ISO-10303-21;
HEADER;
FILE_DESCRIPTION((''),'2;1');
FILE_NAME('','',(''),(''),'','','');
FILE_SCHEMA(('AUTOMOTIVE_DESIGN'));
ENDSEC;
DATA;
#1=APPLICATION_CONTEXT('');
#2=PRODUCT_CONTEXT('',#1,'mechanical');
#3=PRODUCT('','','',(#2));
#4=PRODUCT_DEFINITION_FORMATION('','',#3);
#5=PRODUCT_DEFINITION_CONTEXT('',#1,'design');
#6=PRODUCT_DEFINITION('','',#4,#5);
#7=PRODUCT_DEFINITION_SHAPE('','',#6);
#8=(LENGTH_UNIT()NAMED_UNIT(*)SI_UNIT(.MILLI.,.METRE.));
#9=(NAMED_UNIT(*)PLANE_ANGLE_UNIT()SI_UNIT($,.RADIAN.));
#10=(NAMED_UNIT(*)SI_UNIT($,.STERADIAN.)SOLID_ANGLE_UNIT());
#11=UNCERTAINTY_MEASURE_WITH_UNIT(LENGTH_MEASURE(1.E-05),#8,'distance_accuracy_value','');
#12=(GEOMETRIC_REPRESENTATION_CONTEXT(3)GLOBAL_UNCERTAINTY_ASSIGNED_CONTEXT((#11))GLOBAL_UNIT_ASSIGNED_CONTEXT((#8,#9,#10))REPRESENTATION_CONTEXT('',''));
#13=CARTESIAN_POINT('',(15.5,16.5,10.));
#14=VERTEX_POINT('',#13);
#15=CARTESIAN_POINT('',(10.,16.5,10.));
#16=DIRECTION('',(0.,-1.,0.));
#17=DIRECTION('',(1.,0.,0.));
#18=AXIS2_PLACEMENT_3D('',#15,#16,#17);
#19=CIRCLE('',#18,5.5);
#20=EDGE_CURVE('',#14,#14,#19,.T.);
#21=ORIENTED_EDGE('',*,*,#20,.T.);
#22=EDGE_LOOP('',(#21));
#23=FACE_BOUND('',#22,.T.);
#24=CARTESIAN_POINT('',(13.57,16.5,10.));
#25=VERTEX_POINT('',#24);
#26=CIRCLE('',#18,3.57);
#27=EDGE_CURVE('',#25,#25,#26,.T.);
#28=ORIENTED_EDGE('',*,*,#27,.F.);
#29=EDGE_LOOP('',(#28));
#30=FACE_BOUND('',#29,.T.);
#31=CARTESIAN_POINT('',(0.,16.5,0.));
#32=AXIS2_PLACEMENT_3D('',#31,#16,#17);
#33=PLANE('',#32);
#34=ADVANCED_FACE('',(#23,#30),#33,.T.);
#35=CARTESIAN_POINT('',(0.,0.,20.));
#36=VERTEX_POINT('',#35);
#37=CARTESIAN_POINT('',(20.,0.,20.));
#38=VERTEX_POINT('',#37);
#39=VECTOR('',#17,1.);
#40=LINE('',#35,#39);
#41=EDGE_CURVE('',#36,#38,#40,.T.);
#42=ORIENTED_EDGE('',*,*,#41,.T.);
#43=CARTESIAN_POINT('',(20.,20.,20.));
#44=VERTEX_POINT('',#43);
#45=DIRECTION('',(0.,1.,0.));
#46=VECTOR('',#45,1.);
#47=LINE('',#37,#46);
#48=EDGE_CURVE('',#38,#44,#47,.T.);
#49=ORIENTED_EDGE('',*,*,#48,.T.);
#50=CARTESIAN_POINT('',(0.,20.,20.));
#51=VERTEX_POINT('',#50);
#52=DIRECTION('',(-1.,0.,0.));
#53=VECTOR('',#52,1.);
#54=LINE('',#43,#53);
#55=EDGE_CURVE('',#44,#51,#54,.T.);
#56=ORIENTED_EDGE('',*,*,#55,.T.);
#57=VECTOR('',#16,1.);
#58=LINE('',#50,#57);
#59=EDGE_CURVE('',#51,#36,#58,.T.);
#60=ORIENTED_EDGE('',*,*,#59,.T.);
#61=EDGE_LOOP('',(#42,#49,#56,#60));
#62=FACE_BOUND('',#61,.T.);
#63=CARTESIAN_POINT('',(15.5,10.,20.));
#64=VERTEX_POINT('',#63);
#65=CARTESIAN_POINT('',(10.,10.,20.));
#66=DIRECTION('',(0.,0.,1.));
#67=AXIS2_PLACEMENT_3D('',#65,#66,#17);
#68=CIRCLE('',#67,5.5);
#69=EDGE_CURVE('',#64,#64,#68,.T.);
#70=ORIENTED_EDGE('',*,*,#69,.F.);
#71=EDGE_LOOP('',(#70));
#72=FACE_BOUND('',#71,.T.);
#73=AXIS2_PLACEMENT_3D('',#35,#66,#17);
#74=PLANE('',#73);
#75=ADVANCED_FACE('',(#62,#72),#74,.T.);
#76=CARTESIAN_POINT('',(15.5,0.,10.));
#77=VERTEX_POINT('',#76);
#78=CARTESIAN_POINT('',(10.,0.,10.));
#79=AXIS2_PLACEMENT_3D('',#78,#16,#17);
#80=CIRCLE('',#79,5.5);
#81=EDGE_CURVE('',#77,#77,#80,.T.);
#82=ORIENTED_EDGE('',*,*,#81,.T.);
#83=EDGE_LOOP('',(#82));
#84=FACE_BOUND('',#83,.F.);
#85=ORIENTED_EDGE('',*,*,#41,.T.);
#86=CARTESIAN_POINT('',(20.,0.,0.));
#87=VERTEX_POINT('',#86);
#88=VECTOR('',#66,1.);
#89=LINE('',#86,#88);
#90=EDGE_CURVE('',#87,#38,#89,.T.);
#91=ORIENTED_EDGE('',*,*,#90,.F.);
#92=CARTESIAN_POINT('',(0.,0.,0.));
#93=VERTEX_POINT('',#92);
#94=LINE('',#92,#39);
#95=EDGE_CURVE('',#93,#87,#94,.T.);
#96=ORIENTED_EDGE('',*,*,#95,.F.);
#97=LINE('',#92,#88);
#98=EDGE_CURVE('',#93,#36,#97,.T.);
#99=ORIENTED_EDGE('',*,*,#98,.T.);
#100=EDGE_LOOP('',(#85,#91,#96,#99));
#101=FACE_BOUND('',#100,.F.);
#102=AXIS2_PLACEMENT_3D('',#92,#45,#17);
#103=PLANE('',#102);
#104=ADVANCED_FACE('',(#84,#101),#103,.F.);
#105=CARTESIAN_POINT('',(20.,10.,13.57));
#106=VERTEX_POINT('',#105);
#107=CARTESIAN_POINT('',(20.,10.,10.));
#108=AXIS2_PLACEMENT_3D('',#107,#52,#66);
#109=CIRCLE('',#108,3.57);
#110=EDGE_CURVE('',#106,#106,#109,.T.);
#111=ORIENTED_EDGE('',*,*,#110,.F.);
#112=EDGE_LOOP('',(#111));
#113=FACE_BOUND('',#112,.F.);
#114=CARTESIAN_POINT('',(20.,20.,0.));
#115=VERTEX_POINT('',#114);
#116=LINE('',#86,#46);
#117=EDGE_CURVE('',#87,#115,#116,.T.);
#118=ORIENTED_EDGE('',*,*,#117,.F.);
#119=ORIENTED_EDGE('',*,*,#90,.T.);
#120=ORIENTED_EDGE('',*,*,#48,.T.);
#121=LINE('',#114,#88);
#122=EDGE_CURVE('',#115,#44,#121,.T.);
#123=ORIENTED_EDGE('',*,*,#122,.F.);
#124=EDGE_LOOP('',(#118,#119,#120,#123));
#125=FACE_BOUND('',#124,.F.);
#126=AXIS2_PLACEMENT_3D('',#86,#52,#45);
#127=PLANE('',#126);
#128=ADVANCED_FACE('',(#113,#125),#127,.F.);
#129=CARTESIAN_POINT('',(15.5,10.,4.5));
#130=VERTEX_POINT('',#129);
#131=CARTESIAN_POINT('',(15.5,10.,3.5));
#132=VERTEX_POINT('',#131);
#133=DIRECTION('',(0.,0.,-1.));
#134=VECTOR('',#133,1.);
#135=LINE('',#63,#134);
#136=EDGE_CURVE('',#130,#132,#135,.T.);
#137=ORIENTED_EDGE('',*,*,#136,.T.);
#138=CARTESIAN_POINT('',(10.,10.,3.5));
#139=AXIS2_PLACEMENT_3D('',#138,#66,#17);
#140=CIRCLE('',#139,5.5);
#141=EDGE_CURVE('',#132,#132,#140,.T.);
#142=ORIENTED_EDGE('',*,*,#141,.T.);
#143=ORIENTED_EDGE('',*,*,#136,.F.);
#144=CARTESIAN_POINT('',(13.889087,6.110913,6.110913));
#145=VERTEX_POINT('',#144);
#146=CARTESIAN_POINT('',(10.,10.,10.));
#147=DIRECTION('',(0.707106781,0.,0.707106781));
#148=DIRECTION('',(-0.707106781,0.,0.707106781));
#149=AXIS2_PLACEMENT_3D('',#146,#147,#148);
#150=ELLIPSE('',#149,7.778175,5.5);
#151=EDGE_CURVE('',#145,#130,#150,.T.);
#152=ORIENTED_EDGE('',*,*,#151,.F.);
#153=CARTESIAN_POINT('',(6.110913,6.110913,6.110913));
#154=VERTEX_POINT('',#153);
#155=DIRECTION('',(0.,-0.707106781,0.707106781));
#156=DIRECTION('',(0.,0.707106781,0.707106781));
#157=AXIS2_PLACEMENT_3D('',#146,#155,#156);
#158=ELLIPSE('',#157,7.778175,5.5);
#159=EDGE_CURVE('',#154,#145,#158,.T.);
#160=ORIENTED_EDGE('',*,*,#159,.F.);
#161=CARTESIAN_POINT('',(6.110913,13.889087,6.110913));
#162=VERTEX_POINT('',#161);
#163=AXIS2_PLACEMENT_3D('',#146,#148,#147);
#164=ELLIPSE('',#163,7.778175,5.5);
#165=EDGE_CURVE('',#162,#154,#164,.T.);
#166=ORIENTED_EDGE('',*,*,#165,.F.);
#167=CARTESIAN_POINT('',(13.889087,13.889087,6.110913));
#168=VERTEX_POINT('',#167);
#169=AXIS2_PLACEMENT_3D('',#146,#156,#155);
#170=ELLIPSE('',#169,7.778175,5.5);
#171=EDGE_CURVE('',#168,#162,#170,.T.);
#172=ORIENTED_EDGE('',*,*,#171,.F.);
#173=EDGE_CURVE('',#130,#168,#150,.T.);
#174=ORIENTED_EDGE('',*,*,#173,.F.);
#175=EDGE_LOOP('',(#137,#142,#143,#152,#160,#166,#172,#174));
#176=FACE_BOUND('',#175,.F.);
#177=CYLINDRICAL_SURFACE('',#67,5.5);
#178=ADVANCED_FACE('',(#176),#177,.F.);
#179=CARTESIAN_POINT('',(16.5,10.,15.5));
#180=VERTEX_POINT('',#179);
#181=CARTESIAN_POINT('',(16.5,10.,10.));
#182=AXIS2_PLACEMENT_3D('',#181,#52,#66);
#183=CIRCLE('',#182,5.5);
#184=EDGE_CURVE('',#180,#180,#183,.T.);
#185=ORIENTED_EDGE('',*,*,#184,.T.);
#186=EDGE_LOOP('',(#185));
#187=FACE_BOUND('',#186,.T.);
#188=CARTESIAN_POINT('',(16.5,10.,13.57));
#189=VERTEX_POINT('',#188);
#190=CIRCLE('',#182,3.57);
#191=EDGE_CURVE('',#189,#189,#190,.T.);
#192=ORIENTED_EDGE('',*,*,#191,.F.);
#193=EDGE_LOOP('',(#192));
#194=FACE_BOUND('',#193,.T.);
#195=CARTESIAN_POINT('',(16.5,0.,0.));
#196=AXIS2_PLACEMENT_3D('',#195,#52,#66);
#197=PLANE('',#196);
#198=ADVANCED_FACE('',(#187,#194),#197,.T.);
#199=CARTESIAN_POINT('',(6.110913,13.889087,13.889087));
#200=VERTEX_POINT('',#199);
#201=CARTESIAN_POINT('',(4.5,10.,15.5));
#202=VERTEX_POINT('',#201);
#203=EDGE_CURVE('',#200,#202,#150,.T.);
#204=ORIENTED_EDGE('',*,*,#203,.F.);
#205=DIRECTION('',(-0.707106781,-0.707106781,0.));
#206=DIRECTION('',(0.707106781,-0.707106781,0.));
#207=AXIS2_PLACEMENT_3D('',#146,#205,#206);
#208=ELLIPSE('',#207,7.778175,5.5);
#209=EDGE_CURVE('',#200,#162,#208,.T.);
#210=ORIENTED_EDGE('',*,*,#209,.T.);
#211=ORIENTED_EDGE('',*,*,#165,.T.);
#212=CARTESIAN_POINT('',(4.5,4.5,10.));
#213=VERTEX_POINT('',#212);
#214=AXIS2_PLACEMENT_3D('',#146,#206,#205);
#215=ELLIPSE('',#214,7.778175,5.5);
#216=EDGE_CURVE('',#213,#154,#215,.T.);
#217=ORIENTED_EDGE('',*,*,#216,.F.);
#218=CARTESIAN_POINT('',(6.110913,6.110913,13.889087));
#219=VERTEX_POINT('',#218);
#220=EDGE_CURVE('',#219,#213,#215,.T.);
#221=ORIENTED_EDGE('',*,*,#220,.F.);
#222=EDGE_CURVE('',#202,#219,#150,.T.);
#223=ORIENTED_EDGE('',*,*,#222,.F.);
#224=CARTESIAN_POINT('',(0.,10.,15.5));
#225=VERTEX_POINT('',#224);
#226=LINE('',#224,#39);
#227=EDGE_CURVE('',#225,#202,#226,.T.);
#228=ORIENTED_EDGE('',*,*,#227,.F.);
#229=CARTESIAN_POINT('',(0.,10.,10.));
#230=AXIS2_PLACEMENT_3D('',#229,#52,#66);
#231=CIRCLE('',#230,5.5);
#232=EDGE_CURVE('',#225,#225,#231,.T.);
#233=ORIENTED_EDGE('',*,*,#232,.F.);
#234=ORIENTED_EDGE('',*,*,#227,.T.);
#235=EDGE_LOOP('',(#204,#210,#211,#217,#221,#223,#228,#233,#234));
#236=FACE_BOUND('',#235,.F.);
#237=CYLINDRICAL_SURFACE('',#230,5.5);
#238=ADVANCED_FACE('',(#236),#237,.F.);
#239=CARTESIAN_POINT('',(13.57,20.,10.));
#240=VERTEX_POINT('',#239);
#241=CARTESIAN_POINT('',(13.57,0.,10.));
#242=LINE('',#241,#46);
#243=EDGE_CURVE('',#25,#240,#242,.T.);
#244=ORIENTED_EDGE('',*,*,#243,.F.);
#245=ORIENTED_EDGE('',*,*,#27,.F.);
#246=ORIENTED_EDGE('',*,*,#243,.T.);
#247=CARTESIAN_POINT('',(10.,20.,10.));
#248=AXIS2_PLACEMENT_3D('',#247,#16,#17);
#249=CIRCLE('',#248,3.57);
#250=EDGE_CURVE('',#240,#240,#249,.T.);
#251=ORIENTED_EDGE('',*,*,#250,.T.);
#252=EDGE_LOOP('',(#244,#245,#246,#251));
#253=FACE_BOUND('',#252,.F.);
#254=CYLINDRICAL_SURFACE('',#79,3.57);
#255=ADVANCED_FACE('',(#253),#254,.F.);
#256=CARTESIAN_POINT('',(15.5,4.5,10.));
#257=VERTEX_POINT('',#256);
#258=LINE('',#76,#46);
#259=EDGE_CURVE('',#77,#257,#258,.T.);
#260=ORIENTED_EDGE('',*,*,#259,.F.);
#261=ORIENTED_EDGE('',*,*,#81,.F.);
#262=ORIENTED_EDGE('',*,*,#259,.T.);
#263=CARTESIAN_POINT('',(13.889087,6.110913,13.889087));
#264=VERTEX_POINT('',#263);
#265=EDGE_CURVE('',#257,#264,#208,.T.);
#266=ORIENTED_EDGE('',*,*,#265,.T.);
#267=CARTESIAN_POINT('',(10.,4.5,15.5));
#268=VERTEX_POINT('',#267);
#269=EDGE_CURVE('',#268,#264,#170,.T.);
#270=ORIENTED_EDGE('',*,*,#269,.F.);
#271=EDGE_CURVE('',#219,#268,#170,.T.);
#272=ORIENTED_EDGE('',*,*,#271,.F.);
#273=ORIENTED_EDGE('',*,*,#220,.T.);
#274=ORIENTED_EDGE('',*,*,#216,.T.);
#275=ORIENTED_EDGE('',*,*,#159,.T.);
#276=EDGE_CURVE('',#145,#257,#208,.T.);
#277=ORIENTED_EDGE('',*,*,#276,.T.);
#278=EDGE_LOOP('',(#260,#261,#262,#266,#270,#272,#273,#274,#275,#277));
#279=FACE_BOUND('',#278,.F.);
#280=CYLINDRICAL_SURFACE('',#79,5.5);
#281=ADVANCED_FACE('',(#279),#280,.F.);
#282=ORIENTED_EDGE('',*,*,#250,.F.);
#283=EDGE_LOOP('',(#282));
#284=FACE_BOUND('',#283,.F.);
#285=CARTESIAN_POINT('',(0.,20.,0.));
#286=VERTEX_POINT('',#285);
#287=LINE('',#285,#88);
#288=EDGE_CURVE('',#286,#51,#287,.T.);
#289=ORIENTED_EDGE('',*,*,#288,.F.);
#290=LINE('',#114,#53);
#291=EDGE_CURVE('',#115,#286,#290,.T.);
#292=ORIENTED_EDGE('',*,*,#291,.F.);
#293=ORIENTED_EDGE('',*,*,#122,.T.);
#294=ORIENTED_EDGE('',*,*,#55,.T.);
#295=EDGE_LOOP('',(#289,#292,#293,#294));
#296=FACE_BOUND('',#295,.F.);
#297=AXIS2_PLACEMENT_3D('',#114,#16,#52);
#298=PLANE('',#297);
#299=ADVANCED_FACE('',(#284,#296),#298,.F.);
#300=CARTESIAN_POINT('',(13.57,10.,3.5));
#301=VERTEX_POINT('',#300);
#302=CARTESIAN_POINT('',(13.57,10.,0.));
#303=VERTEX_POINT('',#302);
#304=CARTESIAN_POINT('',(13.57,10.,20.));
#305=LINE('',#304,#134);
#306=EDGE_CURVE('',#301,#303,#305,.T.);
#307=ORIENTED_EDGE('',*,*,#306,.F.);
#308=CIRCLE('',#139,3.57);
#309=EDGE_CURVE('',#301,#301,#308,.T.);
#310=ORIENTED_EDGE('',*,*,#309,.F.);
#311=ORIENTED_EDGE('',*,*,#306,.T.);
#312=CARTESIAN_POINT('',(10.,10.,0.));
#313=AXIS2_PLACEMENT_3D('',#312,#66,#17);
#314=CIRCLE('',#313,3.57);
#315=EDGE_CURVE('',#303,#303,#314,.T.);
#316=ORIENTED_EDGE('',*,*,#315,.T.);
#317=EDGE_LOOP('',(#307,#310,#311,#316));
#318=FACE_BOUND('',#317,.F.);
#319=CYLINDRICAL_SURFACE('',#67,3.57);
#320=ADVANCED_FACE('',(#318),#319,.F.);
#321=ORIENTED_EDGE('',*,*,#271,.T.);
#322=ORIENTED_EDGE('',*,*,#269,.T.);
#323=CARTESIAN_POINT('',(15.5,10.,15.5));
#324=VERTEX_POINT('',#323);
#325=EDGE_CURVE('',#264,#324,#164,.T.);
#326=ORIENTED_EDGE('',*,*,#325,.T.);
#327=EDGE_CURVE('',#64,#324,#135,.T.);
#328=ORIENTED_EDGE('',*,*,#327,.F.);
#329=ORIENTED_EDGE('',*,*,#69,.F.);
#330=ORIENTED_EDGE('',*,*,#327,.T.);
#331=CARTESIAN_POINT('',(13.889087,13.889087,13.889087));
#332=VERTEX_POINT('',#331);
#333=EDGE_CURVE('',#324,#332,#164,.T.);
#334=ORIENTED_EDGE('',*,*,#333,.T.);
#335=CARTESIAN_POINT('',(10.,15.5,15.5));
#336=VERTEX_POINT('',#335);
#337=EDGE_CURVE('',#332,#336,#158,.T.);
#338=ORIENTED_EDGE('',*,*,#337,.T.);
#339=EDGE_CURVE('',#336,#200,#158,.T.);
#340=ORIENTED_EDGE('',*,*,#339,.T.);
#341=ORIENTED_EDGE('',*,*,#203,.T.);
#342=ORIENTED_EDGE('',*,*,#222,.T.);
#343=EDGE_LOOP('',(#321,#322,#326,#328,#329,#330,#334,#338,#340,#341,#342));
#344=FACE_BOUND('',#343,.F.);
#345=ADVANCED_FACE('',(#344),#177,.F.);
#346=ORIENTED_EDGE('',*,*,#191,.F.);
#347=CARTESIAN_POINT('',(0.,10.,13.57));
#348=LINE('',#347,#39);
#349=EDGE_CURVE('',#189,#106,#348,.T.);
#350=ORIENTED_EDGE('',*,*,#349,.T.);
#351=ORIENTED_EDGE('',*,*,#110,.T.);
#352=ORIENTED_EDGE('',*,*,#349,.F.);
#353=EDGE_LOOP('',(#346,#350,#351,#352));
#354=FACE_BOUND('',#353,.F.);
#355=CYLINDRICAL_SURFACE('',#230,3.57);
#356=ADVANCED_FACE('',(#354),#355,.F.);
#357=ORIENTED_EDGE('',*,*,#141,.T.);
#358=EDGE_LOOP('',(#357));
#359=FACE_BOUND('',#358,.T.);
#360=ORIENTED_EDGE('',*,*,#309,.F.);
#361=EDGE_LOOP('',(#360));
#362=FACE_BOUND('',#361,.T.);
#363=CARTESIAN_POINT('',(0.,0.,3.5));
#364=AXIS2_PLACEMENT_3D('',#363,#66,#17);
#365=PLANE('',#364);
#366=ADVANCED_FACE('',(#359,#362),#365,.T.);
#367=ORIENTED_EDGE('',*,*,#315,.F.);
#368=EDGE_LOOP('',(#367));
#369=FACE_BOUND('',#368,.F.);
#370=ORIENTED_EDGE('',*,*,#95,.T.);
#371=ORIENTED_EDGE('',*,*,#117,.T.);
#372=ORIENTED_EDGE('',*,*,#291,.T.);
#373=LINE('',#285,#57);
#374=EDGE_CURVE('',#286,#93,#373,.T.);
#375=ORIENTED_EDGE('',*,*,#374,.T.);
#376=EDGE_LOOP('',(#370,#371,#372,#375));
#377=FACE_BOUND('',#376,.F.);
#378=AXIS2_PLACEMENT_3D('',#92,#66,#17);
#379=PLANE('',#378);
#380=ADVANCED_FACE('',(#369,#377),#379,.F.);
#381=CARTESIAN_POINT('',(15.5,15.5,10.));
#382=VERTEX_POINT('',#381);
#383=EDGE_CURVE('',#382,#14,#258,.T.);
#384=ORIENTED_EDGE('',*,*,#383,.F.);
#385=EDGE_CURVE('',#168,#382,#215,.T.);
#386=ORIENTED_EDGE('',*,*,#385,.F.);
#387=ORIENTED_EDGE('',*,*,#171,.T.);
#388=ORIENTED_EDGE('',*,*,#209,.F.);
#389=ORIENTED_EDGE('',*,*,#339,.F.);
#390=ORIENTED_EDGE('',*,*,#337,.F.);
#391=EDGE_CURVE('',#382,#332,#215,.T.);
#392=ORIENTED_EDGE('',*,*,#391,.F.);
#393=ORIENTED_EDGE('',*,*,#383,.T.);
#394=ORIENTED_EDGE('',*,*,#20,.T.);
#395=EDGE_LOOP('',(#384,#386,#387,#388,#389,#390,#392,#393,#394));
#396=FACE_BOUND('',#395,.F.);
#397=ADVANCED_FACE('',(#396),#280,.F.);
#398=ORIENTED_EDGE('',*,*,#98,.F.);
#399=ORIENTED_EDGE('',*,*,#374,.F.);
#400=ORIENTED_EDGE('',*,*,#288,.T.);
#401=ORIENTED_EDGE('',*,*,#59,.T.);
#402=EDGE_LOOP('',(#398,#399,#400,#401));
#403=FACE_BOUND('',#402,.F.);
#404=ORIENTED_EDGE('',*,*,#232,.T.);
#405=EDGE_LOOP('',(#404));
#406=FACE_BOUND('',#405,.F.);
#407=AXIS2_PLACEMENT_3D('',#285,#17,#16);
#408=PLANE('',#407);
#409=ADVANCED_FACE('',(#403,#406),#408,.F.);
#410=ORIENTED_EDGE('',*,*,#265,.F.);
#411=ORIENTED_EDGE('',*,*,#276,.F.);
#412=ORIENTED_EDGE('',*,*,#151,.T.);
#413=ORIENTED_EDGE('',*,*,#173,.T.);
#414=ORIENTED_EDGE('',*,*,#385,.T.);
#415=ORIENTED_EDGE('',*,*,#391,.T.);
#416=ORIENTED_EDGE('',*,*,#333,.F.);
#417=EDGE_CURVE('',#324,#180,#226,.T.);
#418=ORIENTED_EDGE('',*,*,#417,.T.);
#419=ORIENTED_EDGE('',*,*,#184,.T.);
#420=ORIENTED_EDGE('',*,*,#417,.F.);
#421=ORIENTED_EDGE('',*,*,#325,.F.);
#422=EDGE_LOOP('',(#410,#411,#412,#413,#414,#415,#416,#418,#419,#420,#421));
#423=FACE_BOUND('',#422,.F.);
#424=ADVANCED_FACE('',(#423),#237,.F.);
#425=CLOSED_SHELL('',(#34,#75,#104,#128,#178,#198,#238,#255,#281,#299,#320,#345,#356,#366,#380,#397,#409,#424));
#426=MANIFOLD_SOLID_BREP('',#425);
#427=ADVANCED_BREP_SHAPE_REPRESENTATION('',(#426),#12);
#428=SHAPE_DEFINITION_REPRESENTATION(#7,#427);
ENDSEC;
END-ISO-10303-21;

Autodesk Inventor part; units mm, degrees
ref_plane "YZ Plane" through (0, 0, 0) normal (1, 0, 0) x (0, 1, 0)
ref_plane "XZ Plane" through (0, 0, 0) normal (0, 1, 0) x (-1, 0, 0)
ref_plane "XY Plane" through (0, 0, 0) normal (0, 0, 1) x (1, 0, 0)
sketch "Sketch1" plane through (0, 0, 0) normal (0, 0, 1) x (1, 0, 0)
  line L0 (0, 0) -> (20, 0)
  line L1 (20, 0) -> (20, 20)
  line L2 (20, 20) -> (0, 20)
  line L3 (0, 20) -> (0, 0)
  dimension "d0" = 20
  dimension "d1" = 20
extrude "Extrusion1" add sketch "Sketch1" along normal blind 20
sketch "Sketch2" plane through (0, 0, 20) normal (0, 0, 1) x (1, 0, 0)
  circle A0 centre (10, 10) radius 3.57
  circle A1 centre (10, 10) radius 5.5
  dimension "d4" = 7.14
  dimension "d5" = 11
extrude "Extrusion2" cut sketch "Sketch2" against normal through all contours A0
extrude "Extrusion3" cut sketch "Sketch2" against normal blind 16.5
sketch "Sketch3" plane through (0, 20, 0) normal (0, 1, 0) x (1, 0, 0)
  line L0 (20, 0) -> (0, 0) projected
  line L1 (0, 0) -> (0, -20) projected
  line L2 (20, -20) -> (0, -20) projected
  line L3 (20, 0) -> (20, -20) projected
  point P0 (10, -10)
sketch "Sketch4" plane through (20, 0, 0) normal (1, 0, 0) x (0, 0, -1)
  line L0 (0, 0) -> (0, 20) projected
  line L1 (0, 20) -> (-20, 20) projected
  line L2 (-20, 0) -> (-20, 20) projected
  line L3 (0, 0) -> (-20, 0) projected
  point P0 (-10, 10)
pattern_circular "Circular Pattern1" count 2 over 90 about axis through (20, 10, 10) along (1, 0, 0) of "Extrusion3", "Extrusion2"
pattern_circular "Circular Pattern2" count 2 over 90 about axis through (10, 20, 10) along (0, -1, 0) of "Extrusion2", "Extrusion3"
properties part number "Corner Connector - Three Way Cube" material "Aluminum 6061"
